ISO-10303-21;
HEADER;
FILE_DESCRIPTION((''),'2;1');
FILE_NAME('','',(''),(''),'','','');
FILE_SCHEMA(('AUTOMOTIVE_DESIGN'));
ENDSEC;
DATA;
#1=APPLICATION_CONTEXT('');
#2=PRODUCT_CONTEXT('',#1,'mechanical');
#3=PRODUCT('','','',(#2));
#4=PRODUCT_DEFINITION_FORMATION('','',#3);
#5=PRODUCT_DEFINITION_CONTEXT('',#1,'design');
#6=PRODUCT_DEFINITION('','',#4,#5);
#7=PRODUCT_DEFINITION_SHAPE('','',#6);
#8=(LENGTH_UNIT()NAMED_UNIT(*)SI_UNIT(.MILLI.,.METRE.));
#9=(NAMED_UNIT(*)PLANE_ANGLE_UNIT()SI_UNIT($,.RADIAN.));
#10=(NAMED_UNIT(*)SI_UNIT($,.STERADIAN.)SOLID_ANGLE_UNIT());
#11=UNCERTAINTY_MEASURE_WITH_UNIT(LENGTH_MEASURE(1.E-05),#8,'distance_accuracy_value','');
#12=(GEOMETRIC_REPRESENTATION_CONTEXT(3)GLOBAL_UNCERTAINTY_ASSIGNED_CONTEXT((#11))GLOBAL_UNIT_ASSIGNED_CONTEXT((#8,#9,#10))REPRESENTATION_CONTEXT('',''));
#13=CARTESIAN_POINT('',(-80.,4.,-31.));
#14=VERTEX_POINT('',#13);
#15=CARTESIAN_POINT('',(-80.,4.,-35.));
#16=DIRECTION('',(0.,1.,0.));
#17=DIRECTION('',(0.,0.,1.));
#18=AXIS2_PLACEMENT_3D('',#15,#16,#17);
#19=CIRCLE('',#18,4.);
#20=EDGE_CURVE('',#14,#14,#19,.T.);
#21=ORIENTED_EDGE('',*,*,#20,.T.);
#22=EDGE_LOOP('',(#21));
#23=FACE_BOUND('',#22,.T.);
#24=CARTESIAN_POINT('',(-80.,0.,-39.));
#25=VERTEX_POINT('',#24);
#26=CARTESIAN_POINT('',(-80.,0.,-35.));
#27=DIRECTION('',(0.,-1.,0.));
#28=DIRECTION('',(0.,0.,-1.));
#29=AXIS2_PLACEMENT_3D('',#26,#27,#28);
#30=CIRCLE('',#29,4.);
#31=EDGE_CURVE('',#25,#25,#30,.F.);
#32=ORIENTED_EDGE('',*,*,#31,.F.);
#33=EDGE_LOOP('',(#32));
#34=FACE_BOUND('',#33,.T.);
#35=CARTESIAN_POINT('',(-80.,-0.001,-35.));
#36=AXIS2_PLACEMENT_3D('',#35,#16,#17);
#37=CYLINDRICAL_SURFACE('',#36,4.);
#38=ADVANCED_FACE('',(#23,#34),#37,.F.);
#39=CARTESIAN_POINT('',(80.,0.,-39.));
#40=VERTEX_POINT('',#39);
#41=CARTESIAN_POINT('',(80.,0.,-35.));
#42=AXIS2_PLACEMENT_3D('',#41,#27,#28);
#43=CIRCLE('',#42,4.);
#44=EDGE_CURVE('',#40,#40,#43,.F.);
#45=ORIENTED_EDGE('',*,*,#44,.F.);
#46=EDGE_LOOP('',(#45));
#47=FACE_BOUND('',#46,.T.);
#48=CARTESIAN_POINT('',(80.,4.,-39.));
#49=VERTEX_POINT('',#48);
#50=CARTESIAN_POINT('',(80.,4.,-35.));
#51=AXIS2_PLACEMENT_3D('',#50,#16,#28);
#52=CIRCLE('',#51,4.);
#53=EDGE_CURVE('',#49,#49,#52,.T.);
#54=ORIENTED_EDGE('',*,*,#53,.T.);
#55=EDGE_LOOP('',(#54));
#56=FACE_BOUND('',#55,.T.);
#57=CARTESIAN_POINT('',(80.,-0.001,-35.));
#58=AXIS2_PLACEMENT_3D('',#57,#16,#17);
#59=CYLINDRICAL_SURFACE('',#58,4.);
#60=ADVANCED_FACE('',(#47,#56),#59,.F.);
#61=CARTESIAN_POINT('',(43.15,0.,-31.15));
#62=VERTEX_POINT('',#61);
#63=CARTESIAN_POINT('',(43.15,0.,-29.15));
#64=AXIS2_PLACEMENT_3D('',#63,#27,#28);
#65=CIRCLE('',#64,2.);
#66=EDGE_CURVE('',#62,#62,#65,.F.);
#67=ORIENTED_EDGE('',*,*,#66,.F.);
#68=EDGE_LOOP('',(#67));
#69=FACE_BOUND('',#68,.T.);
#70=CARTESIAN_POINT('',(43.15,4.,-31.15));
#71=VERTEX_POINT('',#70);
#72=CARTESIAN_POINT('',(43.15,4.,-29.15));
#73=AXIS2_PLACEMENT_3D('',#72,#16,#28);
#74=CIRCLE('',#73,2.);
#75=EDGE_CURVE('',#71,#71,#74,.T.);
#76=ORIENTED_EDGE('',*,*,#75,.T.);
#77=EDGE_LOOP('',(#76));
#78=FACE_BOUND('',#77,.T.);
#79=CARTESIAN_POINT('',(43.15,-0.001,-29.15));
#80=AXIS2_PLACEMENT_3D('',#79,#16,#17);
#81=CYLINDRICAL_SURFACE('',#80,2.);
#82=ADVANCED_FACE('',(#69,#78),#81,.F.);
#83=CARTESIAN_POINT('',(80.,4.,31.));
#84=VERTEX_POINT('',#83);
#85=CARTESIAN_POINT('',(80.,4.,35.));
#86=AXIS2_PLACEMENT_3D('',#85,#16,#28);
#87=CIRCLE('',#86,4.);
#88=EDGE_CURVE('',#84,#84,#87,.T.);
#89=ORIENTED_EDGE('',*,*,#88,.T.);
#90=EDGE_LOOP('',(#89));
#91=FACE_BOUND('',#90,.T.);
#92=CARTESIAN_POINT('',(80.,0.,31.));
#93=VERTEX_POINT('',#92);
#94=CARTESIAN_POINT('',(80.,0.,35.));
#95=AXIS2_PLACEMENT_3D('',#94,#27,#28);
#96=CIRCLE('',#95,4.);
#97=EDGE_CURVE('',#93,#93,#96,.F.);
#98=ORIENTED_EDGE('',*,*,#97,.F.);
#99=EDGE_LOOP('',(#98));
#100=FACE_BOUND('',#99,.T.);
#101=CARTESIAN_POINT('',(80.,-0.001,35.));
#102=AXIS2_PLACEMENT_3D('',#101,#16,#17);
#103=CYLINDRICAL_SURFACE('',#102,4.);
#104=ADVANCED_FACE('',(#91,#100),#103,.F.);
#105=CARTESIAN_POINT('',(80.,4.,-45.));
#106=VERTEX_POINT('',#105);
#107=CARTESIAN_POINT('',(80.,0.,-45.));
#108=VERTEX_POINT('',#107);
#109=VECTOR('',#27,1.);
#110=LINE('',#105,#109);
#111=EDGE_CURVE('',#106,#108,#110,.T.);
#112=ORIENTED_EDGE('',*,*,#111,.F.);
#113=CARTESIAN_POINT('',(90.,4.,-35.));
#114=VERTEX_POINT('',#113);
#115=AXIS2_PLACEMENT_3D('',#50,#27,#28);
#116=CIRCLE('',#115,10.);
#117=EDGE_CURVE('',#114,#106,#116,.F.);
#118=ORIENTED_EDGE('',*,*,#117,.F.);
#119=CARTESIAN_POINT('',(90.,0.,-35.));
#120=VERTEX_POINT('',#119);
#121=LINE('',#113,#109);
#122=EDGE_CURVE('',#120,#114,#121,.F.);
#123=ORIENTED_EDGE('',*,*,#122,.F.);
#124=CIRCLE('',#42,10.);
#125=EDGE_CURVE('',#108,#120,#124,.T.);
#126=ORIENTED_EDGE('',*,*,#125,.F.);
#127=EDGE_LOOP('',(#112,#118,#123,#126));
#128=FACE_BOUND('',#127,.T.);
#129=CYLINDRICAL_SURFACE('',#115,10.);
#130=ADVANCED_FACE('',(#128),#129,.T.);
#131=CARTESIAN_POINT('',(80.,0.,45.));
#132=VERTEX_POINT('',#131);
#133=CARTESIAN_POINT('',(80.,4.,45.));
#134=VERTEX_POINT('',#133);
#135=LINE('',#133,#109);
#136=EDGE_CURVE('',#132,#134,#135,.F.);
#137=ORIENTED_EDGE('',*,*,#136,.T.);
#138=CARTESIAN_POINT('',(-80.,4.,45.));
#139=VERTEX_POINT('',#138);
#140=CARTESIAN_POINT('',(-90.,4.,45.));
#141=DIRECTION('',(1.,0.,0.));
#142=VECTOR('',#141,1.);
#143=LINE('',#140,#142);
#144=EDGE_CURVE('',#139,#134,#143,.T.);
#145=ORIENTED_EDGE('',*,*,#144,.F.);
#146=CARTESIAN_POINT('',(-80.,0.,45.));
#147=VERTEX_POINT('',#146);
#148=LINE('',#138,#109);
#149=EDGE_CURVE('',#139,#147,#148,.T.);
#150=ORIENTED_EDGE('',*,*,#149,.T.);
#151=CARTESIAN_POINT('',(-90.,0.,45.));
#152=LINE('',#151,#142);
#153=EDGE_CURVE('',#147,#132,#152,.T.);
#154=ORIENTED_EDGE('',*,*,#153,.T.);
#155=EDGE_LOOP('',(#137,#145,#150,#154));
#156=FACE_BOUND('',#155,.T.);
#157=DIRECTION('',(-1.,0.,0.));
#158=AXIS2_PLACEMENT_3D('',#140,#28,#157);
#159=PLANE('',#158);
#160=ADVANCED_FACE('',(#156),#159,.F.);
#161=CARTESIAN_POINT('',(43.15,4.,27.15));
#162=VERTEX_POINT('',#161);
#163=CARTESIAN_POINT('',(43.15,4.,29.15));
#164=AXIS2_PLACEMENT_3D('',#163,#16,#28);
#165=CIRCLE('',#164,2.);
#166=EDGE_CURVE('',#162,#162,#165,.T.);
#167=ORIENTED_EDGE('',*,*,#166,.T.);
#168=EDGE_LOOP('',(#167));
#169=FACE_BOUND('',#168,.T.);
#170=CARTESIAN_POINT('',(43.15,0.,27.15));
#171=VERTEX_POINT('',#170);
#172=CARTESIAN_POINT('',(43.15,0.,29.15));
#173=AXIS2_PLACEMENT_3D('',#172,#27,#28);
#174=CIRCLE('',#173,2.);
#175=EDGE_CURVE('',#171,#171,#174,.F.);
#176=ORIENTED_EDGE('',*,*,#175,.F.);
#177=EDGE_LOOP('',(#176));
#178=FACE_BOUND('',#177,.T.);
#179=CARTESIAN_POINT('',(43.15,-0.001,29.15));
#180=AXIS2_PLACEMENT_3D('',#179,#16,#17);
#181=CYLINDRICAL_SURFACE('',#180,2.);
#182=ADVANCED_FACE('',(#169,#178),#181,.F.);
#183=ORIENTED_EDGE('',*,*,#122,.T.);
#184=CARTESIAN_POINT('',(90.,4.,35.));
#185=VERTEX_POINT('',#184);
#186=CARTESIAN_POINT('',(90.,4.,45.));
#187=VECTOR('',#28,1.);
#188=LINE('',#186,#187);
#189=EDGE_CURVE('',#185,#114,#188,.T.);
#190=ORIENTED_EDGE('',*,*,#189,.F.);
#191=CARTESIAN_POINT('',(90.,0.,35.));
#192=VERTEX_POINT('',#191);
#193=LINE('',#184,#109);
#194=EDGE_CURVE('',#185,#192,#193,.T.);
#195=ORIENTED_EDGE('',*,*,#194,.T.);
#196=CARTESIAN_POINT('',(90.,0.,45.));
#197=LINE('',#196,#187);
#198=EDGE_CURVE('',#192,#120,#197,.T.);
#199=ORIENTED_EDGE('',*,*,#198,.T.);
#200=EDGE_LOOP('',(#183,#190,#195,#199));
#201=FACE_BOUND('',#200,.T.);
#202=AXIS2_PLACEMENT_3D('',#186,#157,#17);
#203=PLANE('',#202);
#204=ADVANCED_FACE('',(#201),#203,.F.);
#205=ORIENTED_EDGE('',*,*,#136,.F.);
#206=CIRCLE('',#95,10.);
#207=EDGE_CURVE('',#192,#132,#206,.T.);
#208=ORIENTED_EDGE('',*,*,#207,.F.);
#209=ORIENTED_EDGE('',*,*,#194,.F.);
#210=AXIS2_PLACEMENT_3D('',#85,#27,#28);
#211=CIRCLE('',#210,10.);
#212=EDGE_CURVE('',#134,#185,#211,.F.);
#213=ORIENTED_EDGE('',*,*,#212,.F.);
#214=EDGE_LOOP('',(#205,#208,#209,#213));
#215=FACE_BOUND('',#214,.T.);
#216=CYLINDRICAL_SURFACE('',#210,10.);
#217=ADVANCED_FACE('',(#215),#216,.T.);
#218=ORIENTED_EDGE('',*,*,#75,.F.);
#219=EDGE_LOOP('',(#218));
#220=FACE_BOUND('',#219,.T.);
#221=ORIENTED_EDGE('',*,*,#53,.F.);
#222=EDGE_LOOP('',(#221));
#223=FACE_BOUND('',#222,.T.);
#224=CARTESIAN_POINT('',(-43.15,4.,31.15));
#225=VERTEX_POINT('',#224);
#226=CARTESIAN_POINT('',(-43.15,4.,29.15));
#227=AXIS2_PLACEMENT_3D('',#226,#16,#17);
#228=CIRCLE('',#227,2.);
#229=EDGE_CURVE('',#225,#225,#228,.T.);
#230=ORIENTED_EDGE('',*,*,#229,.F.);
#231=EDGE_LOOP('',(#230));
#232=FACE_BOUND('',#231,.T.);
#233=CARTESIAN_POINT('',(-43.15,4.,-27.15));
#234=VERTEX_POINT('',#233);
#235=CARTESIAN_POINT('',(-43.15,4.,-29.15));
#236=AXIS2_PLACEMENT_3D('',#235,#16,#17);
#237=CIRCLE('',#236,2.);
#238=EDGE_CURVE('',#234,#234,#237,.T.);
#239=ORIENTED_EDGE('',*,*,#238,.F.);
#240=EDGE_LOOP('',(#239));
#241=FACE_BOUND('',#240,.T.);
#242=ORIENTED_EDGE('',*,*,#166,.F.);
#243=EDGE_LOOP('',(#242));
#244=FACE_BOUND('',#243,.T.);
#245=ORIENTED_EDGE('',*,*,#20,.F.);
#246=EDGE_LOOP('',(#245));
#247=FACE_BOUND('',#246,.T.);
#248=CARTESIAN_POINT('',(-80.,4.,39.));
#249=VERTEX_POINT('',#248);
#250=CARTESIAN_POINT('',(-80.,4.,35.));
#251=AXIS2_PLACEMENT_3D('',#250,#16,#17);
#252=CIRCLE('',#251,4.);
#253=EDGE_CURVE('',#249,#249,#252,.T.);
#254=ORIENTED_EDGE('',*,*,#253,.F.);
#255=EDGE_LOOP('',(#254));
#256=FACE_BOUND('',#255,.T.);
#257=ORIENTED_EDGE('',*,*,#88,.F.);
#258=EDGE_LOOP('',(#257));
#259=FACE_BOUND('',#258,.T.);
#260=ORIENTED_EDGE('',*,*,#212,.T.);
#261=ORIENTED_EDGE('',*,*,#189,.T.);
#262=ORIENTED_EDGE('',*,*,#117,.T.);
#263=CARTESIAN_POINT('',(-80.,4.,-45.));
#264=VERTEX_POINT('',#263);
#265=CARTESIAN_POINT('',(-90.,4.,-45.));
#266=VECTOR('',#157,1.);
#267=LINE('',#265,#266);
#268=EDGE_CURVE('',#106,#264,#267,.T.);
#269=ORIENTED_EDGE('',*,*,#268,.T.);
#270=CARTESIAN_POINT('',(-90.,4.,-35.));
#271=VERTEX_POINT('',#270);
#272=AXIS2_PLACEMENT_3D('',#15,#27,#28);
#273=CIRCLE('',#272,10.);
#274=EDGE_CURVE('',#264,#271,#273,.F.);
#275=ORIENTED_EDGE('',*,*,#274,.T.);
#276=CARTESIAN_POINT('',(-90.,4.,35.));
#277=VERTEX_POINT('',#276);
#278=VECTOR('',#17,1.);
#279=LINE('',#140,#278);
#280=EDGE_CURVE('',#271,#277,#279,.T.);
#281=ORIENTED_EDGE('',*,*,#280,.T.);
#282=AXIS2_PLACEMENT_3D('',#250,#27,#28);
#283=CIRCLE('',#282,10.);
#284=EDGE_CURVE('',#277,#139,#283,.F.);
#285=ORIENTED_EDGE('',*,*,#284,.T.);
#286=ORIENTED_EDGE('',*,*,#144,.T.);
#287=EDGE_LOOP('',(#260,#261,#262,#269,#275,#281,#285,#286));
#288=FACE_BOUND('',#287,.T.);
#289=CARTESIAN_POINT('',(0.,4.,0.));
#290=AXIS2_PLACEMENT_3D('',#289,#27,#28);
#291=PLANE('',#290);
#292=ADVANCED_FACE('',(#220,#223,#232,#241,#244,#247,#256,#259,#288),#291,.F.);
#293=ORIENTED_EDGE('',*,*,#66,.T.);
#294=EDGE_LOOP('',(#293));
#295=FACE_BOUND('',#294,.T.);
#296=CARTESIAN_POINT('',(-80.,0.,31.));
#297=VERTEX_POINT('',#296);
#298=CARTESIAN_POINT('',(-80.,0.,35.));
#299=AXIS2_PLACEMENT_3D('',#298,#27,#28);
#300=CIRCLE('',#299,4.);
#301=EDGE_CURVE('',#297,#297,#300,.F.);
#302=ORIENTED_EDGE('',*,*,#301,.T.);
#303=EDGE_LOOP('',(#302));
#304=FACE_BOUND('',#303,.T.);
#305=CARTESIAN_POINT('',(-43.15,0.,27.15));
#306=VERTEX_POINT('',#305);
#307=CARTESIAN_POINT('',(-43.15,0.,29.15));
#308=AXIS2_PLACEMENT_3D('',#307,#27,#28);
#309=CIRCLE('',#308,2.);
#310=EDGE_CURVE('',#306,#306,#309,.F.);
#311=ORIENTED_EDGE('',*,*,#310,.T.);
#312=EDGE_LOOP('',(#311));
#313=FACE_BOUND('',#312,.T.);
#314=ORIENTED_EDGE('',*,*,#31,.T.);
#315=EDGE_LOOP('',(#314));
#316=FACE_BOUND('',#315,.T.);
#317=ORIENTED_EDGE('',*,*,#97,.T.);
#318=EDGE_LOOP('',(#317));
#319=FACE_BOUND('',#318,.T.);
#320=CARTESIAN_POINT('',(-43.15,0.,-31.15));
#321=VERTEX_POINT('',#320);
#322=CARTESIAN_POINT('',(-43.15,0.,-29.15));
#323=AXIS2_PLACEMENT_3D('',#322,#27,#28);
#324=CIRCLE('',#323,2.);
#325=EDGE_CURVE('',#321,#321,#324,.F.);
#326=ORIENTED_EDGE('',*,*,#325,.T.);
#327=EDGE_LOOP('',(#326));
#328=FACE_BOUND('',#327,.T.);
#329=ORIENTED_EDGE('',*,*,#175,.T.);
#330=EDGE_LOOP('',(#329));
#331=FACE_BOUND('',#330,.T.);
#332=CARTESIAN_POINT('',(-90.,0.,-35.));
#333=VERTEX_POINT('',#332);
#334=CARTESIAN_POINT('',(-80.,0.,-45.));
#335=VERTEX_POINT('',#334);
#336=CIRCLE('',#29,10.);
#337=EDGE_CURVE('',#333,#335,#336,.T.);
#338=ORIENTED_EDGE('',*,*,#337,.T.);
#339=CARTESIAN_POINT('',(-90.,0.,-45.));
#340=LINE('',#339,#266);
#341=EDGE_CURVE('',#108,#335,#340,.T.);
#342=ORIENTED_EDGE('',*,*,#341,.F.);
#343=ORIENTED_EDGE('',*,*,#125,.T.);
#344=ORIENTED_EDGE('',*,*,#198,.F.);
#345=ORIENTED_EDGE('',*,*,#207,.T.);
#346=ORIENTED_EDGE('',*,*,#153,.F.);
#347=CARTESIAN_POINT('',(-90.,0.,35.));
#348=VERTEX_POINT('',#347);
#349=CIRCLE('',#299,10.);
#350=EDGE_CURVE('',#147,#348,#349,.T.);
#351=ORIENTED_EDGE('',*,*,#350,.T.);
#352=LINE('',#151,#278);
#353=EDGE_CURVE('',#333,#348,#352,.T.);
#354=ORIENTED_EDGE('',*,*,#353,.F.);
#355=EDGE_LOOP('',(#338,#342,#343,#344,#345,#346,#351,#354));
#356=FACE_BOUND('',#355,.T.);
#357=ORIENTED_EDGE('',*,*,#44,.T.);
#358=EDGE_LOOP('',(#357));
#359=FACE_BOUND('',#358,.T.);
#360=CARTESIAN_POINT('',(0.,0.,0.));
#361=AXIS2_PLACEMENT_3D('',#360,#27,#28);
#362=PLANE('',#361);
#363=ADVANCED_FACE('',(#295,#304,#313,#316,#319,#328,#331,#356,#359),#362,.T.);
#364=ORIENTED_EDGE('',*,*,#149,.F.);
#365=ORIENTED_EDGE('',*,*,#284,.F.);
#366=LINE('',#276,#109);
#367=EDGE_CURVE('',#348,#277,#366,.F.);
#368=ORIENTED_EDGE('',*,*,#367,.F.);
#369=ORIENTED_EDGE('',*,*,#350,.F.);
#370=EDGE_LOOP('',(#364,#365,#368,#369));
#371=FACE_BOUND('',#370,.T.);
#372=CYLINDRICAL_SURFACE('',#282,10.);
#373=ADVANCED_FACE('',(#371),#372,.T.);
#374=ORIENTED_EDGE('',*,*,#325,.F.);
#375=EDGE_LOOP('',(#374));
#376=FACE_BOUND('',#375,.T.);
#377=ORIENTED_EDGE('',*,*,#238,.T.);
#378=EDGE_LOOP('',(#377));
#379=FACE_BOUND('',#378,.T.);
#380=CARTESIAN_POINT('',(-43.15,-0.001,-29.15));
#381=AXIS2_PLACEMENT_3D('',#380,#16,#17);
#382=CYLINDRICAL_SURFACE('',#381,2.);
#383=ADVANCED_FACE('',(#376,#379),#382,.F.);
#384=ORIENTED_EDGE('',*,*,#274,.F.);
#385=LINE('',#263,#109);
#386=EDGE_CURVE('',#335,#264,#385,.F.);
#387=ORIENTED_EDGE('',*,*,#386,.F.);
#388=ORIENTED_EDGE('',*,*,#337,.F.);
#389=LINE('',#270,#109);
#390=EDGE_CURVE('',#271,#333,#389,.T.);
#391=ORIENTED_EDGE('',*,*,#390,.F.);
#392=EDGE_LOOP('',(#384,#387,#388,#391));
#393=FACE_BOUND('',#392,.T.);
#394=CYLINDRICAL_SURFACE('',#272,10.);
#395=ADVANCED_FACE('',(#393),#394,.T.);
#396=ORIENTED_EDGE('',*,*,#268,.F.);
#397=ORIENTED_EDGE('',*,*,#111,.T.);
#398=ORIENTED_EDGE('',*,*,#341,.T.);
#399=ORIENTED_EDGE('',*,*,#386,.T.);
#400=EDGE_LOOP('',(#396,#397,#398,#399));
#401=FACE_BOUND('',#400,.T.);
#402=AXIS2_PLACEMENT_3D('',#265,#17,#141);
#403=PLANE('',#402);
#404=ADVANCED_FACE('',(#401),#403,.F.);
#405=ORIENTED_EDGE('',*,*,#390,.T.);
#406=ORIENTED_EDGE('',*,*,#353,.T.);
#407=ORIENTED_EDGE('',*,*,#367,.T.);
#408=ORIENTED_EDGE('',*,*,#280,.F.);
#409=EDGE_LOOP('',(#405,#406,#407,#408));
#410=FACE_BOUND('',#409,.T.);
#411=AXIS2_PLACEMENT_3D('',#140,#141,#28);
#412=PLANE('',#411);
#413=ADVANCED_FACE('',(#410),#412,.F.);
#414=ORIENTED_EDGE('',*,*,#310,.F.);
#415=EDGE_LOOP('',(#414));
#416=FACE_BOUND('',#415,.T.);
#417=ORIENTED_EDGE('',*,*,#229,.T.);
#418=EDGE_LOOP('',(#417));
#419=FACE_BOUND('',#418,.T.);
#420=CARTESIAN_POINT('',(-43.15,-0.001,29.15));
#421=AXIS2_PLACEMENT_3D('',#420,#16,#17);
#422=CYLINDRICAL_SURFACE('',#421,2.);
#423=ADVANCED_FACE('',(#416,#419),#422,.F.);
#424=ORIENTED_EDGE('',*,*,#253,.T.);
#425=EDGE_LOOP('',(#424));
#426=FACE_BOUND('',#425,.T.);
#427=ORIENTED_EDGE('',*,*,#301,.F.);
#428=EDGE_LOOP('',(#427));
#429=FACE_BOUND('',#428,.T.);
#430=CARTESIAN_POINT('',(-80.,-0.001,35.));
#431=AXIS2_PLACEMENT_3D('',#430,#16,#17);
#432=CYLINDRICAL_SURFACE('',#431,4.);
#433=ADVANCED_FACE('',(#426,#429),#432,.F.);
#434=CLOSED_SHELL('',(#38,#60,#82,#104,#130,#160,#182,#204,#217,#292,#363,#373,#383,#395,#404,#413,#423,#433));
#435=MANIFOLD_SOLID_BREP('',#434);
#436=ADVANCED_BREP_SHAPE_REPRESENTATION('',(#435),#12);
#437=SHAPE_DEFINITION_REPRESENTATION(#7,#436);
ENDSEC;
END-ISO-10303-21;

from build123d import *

# Parameters (mm, degrees)
CROQUIS2_W              = 180
CROQUIS2_H              = 90
SALIENTE_EXTRUIR1_DEPTH = 4
REDONDEO1_R             = 10
CORTAR_EXTRUIR2_REACH   = 102.703
CROQUIS4_R              = 4
CORTAR_EXTRUIR3_REACH   = 102.703
CROQUIS5_R              = 2


with BuildPart() as part:
    # Croquis2 → Saliente-Extruir1 (new body)
    with BuildSketch(Plane(origin=(0, 0, 0), x_dir=(1, 0, 0), z_dir=(0, 1, 0))):
        Rectangle(CROQUIS2_W, CROQUIS2_H)
    extrude(amount=SALIENTE_EXTRUIR1_DEPTH)

    # Redondeo1
    redondeo1_edges = [part.edges().sort_by_distance(p)[0] for p in [
        (90, 2, 45),
        (-90, 2, 45),
        (-90, 2, -45),
        (90, 2, -45),
    ]]
    fillet(redondeo1_edges, radius=REDONDEO1_R)

    # Croquis4 → Cortar-Extruir2 (cut, up to next)
    with BuildSketch(Plane(origin=(0, 4, 0), x_dir=(1, 0, 0), z_dir=(0, 1, 0)), mode=Mode.PRIVATE) as cortar_extruir2_sk1:
        with Locations(Location((-80, 35, 0), (0, 0, 270))):
            Circle(CROQUIS4_R)
    cortar_extruir2_tool1 = extrude(cortar_extruir2_sk1.sketch, amount=-CORTAR_EXTRUIR2_REACH, mode=Mode.PRIVATE) & part.part
    # Croquis4 → Cortar-Extruir2 (cut, up to next)
    with BuildSketch(Plane(origin=(0, 4, 0), x_dir=(1, 0, 0), z_dir=(0, 1, 0)), mode=Mode.PRIVATE) as cortar_extruir2_sk2:
        with Locations(Location((-80, -35, 0), (0, 0, 270))):
            Circle(CROQUIS4_R)
    cortar_extruir2_tool2 = extrude(cortar_extruir2_sk2.sketch, amount=-CORTAR_EXTRUIR2_REACH, mode=Mode.PRIVATE) & part.part
    # Croquis4 → Cortar-Extruir2 (cut, up to next)
    with BuildSketch(Plane(origin=(0, 4, 0), x_dir=(1, 0, 0), z_dir=(0, 1, 0)), mode=Mode.PRIVATE) as cortar_extruir2_sk3:
        with Locations(Location((80, -35, 0), (0, 0, 90))):
            Circle(CROQUIS4_R)
    cortar_extruir2_tool3 = extrude(cortar_extruir2_sk3.sketch, amount=-CORTAR_EXTRUIR2_REACH, mode=Mode.PRIVATE) & part.part
    # Croquis4 → Cortar-Extruir2 (cut, up to next)
    with BuildSketch(Plane(origin=(0, 4, 0), x_dir=(1, 0, 0), z_dir=(0, 1, 0)), mode=Mode.PRIVATE) as cortar_extruir2_sk4:
        with Locations(Location((80, 35, 0), (0, 0, 90))):
            Circle(CROQUIS4_R)
    cortar_extruir2_tool4 = extrude(cortar_extruir2_sk4.sketch, amount=-CORTAR_EXTRUIR2_REACH, mode=Mode.PRIVATE) & part.part
    add(cortar_extruir2_tool1.solids().sort_by_distance((-80, 4, -35))[0], mode=Mode.SUBTRACT)
    add(cortar_extruir2_tool2.solids().sort_by_distance((-80, 4, 35))[0], mode=Mode.SUBTRACT)
    add(cortar_extruir2_tool3.solids().sort_by_distance((80, 4, 35))[0], mode=Mode.SUBTRACT)
    add(cortar_extruir2_tool4.solids().sort_by_distance((80, 4, -35))[0], mode=Mode.SUBTRACT)

    # Croquis5 → Cortar-Extruir3 (cut, up to next)
    with BuildSketch(Plane(origin=(0, 4, 0), x_dir=(1, 0, 0), z_dir=(0, 1, 0)), mode=Mode.PRIVATE) as cortar_extruir3_sk1:
        with Locations(Location((-43.15, 29.15, 0), (0, 0, 270))):
            Circle(CROQUIS5_R)
    cortar_extruir3_tool1 = extrude(cortar_extruir3_sk1.sketch, amount=-CORTAR_EXTRUIR3_REACH, mode=Mode.PRIVATE) & part.part
    # Croquis5 → Cortar-Extruir3 (cut, up to next)
    with BuildSketch(Plane(origin=(0, 4, 0), x_dir=(1, 0, 0), z_dir=(0, 1, 0)), mode=Mode.PRIVATE) as cortar_extruir3_sk2:
        with Locations(Location((-43.15, -29.15, 0), (0, 0, 270))):
            Circle(CROQUIS5_R)
    cortar_extruir3_tool2 = extrude(cortar_extruir3_sk2.sketch, amount=-CORTAR_EXTRUIR3_REACH, mode=Mode.PRIVATE) & part.part
    # Croquis5 → Cortar-Extruir3 (cut, up to next)
    with BuildSketch(Plane(origin=(0, 4, 0), x_dir=(1, 0, 0), z_dir=(0, 1, 0)), mode=Mode.PRIVATE) as cortar_extruir3_sk3:
        with Locations(Location((43.15, -29.15, 0), (0, 0, 90))):
            Circle(CROQUIS5_R)
    cortar_extruir3_tool3 = extrude(cortar_extruir3_sk3.sketch, amount=-CORTAR_EXTRUIR3_REACH, mode=Mode.PRIVATE) & part.part
    # Croquis5 → Cortar-Extruir3 (cut, up to next)
    with BuildSketch(Plane(origin=(0, 4, 0), x_dir=(1, 0, 0), z_dir=(0, 1, 0)), mode=Mode.PRIVATE) as cortar_extruir3_sk4:
        with Locations(Location((43.15, 29.15, 0), (0, 0, 90))):
            Circle(CROQUIS5_R)
    cortar_extruir3_tool4 = extrude(cortar_extruir3_sk4.sketch, amount=-CORTAR_EXTRUIR3_REACH, mode=Mode.PRIVATE) & part.part
    add(cortar_extruir3_tool1.solids().sort_by_distance((-43.15, 4, -29.15))[0], mode=Mode.SUBTRACT)
    add(cortar_extruir3_tool2.solids().sort_by_distance((-43.15, 4, 29.15))[0], mode=Mode.SUBTRACT)
    add(cortar_extruir3_tool3.solids().sort_by_distance((43.15, 4, 29.15))[0], mode=Mode.SUBTRACT)
    add(cortar_extruir3_tool4.solids().sort_by_distance((43.15, 4, -29.15))[0], mode=Mode.SUBTRACT)


solid = part.part
